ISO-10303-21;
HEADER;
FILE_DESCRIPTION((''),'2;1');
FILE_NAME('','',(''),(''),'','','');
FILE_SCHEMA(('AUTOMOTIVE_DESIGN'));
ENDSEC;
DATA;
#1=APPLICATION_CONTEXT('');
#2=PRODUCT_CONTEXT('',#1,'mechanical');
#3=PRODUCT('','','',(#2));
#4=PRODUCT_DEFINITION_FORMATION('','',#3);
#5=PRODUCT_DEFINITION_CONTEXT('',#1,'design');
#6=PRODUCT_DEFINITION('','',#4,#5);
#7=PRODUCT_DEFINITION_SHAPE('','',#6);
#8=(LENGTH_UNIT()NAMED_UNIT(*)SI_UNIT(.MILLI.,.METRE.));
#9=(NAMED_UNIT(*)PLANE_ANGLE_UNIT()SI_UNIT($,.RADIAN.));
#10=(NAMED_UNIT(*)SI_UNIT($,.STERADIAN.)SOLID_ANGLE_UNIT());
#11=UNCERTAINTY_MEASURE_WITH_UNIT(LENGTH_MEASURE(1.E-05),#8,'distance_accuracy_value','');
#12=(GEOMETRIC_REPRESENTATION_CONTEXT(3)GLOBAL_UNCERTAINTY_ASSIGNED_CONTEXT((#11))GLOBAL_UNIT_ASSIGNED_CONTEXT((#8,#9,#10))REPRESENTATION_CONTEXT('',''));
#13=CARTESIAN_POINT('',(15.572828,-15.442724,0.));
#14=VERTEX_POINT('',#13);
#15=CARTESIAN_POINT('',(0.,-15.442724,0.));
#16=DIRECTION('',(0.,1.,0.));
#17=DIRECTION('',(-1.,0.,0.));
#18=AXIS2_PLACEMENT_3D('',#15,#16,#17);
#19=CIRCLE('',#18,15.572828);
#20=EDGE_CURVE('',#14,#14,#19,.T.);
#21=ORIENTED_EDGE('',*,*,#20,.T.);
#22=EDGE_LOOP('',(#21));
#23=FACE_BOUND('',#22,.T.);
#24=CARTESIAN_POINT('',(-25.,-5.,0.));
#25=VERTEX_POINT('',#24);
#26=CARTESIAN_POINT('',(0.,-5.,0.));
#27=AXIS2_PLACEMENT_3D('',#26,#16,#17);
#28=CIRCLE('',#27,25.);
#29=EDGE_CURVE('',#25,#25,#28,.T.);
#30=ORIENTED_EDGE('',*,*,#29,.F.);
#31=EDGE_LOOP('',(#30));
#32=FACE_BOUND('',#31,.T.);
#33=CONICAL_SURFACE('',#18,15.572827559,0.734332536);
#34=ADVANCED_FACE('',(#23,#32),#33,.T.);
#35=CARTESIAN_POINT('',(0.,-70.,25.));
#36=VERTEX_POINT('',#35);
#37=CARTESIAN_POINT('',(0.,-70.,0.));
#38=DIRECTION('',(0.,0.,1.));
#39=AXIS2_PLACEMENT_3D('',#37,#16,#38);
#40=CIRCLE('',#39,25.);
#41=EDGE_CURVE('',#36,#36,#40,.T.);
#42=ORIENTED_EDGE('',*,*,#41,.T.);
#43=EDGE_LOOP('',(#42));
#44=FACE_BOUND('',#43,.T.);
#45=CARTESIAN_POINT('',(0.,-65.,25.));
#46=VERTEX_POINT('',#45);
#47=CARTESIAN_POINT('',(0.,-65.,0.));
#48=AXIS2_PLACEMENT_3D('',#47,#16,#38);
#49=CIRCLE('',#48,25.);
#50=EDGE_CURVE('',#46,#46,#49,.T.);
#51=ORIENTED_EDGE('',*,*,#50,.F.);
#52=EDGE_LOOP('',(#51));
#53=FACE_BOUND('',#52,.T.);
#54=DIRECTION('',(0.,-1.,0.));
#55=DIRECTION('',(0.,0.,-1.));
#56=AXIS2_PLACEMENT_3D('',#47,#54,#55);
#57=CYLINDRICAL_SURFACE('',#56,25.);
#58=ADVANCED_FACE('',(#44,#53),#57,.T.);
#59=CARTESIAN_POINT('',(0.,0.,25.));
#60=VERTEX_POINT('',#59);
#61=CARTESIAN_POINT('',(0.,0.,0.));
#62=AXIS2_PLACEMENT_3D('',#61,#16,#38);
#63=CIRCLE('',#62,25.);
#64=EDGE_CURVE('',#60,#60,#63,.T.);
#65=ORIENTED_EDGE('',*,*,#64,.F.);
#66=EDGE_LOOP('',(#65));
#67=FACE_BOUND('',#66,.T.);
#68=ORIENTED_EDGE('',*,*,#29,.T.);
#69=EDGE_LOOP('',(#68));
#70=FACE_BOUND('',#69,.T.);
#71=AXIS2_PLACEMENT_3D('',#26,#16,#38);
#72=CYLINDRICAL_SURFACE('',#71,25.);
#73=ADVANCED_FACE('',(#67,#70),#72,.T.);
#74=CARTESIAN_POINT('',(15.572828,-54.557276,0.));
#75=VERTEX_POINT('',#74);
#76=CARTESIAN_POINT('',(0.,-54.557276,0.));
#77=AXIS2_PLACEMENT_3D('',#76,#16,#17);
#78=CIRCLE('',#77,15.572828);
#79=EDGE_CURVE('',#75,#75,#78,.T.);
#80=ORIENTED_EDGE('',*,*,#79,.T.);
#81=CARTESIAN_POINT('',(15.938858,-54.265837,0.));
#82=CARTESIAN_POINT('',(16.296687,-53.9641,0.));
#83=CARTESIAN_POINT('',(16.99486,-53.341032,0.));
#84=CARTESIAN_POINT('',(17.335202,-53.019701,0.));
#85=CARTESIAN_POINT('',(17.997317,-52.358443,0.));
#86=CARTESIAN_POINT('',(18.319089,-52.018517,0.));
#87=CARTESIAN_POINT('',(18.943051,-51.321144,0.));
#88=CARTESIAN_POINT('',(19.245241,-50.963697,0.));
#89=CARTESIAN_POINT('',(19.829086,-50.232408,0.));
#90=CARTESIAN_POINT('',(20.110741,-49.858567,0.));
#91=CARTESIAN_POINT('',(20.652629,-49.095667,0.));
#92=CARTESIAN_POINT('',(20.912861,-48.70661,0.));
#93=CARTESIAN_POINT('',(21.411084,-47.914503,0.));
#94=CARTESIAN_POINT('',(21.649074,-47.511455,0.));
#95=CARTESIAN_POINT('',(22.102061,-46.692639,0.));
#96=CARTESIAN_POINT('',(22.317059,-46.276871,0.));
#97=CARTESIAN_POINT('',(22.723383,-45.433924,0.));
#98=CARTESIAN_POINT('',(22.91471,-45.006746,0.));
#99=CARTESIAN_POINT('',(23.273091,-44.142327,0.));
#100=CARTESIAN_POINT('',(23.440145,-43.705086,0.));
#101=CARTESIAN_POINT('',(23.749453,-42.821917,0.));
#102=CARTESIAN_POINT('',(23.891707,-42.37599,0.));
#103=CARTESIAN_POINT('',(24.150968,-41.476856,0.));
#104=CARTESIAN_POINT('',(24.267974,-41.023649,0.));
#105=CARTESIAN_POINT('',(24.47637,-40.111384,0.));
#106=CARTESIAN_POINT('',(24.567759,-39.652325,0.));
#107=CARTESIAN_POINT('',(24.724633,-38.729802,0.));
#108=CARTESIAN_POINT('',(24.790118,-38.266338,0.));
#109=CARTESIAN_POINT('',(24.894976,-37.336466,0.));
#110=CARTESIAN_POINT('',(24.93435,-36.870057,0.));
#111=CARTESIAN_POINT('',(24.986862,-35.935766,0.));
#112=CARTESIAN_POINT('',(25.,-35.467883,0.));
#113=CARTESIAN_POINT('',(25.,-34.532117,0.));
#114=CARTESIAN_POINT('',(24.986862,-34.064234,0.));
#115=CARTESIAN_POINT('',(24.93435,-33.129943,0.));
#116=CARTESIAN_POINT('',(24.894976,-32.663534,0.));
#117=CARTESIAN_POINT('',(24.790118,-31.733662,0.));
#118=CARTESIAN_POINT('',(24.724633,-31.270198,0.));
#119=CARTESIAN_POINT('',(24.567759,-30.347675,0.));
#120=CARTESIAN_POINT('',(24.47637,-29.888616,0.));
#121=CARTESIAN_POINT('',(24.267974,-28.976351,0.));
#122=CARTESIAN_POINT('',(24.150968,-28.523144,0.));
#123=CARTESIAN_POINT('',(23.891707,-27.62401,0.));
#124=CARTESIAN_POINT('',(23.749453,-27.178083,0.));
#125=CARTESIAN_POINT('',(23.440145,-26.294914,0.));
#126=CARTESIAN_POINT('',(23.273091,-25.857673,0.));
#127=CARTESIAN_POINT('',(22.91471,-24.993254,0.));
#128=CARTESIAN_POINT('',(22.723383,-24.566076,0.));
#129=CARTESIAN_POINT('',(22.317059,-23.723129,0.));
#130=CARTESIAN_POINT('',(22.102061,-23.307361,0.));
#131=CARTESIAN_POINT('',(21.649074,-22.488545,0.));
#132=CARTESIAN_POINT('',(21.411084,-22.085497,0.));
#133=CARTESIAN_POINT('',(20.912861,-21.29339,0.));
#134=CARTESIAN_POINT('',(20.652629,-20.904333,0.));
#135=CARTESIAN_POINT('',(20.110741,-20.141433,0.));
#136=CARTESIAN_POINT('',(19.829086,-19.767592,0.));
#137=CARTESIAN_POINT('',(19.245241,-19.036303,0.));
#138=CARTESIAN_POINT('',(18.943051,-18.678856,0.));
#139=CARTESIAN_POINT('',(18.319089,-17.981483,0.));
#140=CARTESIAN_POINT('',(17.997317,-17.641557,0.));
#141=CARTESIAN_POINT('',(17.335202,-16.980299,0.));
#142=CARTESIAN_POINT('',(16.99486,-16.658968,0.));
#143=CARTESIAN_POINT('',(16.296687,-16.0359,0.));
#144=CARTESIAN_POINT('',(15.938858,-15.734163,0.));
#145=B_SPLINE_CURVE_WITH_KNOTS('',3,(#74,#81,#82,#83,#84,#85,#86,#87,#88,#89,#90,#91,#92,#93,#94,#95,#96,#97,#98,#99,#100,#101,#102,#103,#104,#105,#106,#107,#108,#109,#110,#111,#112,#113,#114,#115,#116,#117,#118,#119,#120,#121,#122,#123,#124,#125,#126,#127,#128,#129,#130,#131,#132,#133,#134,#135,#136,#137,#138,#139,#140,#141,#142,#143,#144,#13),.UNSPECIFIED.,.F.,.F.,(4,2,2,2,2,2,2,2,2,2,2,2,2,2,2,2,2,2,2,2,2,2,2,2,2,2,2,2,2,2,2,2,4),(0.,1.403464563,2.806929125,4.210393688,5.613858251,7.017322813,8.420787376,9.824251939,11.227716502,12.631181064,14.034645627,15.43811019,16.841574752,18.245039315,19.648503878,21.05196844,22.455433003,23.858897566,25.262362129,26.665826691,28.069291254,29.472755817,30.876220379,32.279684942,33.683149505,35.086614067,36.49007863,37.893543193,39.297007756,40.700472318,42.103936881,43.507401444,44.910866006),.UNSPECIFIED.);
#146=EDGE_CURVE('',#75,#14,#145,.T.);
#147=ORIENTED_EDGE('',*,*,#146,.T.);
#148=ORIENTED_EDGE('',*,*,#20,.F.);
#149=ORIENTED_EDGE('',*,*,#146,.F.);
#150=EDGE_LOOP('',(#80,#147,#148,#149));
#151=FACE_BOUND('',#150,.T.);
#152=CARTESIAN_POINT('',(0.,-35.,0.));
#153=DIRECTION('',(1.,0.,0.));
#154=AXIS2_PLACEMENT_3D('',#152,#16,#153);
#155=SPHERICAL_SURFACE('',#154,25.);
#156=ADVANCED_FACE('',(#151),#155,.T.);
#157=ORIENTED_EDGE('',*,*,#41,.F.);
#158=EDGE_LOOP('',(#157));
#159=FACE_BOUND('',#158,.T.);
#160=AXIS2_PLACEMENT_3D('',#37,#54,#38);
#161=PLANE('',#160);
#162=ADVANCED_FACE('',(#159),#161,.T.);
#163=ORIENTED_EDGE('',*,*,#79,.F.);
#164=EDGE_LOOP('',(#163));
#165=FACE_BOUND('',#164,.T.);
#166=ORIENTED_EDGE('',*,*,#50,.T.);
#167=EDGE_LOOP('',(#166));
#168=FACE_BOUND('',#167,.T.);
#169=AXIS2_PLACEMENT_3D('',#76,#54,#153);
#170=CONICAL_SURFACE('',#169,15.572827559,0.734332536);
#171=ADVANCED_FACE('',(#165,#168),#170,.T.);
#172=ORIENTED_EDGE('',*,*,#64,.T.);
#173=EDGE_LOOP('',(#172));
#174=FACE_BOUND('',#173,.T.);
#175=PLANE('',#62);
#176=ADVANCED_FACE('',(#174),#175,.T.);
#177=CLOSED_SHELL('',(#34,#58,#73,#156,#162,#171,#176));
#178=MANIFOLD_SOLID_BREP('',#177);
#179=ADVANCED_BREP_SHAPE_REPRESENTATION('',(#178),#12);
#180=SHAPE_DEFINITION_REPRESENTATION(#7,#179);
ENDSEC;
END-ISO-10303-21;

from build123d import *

# Parameters (mm, degrees)
SKETCH_1_R      = 25
EXTRUDE_1_DEPTH = 5


with BuildPart() as part:
    # 草图1 → 凸台-拉伸1 (new body)
    with BuildSketch(Plane(origin=(0, 0, 0), x_dir=(1, 0, 0), z_dir=(0, 1, 0))):
        with Locations(Location((0, 0, 0), (0, 0, 270))):
            Circle(SKETCH_1_R)
    extrude_1 = extrude(amount=-EXTRUDE_1_DEPTH)

    # 草图9 → 旋转20 (revolve)
    with BuildSketch(Plane.XY):
        with BuildLine():
            Line((15.572827559, -15.442724069), (25, -5))
            Line((25, -5), (0, -5))
            Line((0, -5), (0, -65))
            Line((0, -65), (25, -65))
            Line((25, -65), (15.572827559, -54.557275931))
            ThreePointArc((15.572827559, -54.557275931), (25, -35), (15.572827559, -15.442724069))
        make_face()
    revolve(axis=Axis((0, 51.125830707, 0), (0, -1, 0)))

    # 镜向1: 凸台-拉伸1 across plane
    add(extrude_1.mirror(Plane.ZX.offset(-35)))


solid = part.part
